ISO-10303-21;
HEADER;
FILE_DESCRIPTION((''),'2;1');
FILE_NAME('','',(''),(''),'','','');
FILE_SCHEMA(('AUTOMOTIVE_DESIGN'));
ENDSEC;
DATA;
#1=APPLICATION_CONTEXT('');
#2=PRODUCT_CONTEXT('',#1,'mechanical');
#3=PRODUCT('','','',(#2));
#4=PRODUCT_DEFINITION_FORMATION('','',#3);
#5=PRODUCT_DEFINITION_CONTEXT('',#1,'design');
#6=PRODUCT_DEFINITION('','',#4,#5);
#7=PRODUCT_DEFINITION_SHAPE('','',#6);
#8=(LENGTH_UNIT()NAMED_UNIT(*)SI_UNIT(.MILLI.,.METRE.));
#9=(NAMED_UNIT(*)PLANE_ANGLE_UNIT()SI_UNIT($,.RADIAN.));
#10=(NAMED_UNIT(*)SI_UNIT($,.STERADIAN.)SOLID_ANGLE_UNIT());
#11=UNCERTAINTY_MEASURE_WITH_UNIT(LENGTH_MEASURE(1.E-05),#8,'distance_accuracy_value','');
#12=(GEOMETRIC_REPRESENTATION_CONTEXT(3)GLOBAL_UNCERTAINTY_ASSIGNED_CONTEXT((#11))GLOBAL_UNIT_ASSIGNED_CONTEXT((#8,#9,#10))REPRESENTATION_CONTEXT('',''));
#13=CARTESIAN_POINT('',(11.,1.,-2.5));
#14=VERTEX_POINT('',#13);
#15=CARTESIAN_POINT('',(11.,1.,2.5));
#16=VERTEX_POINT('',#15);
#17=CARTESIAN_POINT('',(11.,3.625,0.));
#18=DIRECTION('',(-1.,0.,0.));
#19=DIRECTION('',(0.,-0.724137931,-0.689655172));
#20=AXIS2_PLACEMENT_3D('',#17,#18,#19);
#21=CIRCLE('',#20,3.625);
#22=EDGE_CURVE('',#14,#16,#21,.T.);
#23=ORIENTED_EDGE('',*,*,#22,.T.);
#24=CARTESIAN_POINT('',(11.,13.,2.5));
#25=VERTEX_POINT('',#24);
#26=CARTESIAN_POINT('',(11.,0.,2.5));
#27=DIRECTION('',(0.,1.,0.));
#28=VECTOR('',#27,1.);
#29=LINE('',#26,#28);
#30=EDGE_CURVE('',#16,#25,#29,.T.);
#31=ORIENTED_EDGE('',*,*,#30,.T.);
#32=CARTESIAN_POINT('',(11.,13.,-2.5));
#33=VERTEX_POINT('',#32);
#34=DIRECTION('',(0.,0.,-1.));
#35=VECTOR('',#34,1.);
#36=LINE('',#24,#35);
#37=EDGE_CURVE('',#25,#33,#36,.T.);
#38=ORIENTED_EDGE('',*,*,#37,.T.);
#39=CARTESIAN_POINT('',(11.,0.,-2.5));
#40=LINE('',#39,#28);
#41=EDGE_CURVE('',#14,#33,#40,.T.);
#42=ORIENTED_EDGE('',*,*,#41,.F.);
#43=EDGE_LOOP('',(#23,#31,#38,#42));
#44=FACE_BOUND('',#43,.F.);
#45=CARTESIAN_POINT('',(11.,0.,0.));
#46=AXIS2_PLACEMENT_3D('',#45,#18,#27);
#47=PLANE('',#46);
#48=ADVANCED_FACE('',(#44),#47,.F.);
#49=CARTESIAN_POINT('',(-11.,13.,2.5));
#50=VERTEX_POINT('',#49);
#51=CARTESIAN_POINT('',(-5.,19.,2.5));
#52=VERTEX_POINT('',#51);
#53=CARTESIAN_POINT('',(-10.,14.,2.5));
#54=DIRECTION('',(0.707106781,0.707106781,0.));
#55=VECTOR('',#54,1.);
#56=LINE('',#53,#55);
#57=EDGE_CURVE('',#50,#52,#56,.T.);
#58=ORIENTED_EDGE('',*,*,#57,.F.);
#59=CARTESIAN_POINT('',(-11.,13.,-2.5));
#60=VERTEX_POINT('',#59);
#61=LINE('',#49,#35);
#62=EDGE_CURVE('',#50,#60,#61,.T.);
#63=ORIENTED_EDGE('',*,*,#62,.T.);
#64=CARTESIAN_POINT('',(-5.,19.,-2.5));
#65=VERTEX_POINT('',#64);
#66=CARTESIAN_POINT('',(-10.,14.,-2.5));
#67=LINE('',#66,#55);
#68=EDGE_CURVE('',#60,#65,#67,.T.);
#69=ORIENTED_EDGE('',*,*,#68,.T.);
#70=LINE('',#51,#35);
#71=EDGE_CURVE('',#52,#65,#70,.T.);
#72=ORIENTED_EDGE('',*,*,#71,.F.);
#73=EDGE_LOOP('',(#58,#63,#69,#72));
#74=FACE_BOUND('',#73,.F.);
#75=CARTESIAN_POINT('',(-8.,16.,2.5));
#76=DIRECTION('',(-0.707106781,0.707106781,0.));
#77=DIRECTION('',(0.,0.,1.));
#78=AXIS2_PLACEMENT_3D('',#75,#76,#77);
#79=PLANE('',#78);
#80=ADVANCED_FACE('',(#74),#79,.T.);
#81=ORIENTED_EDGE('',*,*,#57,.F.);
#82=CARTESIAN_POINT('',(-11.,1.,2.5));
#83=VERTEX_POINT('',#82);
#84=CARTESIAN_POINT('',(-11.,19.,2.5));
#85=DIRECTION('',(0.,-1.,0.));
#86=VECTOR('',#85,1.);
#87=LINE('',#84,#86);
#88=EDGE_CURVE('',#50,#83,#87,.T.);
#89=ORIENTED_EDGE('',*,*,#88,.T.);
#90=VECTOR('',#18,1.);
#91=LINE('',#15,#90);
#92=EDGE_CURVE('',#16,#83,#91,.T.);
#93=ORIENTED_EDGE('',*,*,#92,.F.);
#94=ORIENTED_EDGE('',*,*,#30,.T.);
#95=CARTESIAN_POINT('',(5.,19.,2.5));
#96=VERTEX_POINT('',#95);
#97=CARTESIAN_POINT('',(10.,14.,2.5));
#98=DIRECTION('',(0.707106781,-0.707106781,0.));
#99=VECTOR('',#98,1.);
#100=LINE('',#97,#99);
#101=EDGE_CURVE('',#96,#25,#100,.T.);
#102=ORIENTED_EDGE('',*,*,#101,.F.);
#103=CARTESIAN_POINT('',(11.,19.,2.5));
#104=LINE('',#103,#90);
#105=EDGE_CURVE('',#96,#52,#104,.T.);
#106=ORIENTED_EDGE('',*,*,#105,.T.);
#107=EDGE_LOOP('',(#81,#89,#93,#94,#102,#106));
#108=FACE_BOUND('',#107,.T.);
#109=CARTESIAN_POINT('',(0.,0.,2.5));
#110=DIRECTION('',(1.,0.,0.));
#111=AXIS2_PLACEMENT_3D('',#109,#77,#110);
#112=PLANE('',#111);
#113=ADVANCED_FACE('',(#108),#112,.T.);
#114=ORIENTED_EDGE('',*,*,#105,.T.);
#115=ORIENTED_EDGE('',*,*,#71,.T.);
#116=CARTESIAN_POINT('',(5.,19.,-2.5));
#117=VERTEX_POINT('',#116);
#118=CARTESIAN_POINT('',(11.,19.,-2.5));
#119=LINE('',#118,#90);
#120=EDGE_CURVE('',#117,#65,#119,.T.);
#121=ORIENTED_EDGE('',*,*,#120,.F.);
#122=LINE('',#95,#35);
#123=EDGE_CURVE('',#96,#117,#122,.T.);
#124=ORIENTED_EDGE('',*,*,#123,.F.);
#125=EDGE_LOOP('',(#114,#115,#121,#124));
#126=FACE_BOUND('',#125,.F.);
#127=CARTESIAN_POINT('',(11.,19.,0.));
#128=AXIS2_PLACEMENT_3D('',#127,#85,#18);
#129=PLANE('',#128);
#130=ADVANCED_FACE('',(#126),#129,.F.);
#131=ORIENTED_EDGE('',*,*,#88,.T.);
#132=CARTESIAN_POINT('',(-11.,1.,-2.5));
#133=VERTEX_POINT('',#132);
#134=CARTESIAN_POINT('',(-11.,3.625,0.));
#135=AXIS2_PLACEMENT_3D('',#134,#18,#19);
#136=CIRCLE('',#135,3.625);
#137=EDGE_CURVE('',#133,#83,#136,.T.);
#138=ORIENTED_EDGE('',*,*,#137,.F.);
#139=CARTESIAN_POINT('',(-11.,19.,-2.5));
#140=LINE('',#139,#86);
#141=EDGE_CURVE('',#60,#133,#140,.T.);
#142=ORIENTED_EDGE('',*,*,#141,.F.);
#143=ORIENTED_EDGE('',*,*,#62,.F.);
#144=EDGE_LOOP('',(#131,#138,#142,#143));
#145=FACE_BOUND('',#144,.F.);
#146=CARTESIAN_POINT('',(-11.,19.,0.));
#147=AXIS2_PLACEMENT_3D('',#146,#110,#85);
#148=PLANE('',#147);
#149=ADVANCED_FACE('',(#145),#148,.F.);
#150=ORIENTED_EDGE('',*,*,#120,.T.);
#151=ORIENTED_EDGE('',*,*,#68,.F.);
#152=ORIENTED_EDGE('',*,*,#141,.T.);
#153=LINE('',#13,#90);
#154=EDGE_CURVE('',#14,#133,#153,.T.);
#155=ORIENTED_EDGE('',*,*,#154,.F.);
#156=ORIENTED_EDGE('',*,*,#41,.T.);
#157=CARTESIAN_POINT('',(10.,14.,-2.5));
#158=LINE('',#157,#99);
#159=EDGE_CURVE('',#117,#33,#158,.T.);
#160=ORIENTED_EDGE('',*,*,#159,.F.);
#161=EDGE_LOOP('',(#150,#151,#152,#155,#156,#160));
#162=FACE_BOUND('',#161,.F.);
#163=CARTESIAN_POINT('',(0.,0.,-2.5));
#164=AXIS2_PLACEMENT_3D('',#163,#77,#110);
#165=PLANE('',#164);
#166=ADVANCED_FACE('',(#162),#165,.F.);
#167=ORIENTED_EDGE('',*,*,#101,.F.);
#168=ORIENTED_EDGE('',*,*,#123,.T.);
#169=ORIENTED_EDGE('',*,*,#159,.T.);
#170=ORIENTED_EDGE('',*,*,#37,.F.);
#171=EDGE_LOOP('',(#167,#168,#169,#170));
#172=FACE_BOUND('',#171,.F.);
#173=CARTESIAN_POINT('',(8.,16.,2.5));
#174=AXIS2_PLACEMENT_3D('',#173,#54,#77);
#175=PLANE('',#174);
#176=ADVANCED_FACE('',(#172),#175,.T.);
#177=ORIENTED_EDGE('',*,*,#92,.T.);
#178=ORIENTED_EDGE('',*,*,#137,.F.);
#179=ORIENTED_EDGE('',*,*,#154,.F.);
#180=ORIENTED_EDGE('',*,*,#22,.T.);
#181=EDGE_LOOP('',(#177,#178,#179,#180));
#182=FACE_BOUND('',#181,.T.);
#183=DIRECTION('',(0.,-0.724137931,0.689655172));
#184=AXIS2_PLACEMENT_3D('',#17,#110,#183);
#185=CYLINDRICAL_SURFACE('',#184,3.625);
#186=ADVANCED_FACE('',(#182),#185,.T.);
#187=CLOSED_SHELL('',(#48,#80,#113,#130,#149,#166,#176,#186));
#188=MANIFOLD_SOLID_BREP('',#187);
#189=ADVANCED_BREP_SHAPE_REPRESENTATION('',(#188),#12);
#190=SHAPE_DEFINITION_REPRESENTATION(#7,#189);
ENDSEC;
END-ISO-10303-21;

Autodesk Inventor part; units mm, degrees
ref_plane "YZ Plane" through (0, 0, 0) normal (1, 0, 0) x (0, 1, 0)
ref_plane "XZ Plane" through (0, 0, 0) normal (0, 1, 0) x (-1, 0, 0)
ref_plane "XY Plane" through (0, 0, 0) normal (0, 0, 1) x (1, 0, 0)
sketch "Sketch1" plane through (0, 0, 0) normal (0, 0, 1) x (1, 0, 0)
  line L0 (-11, 0) -> (11, 0)
  line L1 (11, 0) -> (11, 19)
  line L2 (11, 19) -> (-11, 19)
  line L3 (-11, 19) -> (-11, 0)
  point P0 (0, 0)
  point P1 (0, 0)
  dimension "d0" = 22
  dimension "d1" = 19
extrude "Extrusion1" add sketch "Sketch1" along normal mid plane 5
chamfer "Chamfer1" distance 6 angle 45 2 edges at (-11, 19, 0) (11, 19, 0)
sketch "Sketch2" plane through (11, 0, 2.5) normal (1, 0, 0) x (0, 0, -1)
  line L0 (0, 0) -> (0, 13) projected
  line L1 (5, 13) -> (5, 0) projected
  arc A0 (0, 1) -> (5, 1) centre (2.5, 3.625) ccw
  line L2 (0, 0) -> (5, 0) projected
  point P0 (2.5, 0)
  point P1 (2.5, 0)
  dimension "d7" = 1
extrude "Extrusion2" cut sketch "Sketch2" against normal through all
properties material "Steel"
